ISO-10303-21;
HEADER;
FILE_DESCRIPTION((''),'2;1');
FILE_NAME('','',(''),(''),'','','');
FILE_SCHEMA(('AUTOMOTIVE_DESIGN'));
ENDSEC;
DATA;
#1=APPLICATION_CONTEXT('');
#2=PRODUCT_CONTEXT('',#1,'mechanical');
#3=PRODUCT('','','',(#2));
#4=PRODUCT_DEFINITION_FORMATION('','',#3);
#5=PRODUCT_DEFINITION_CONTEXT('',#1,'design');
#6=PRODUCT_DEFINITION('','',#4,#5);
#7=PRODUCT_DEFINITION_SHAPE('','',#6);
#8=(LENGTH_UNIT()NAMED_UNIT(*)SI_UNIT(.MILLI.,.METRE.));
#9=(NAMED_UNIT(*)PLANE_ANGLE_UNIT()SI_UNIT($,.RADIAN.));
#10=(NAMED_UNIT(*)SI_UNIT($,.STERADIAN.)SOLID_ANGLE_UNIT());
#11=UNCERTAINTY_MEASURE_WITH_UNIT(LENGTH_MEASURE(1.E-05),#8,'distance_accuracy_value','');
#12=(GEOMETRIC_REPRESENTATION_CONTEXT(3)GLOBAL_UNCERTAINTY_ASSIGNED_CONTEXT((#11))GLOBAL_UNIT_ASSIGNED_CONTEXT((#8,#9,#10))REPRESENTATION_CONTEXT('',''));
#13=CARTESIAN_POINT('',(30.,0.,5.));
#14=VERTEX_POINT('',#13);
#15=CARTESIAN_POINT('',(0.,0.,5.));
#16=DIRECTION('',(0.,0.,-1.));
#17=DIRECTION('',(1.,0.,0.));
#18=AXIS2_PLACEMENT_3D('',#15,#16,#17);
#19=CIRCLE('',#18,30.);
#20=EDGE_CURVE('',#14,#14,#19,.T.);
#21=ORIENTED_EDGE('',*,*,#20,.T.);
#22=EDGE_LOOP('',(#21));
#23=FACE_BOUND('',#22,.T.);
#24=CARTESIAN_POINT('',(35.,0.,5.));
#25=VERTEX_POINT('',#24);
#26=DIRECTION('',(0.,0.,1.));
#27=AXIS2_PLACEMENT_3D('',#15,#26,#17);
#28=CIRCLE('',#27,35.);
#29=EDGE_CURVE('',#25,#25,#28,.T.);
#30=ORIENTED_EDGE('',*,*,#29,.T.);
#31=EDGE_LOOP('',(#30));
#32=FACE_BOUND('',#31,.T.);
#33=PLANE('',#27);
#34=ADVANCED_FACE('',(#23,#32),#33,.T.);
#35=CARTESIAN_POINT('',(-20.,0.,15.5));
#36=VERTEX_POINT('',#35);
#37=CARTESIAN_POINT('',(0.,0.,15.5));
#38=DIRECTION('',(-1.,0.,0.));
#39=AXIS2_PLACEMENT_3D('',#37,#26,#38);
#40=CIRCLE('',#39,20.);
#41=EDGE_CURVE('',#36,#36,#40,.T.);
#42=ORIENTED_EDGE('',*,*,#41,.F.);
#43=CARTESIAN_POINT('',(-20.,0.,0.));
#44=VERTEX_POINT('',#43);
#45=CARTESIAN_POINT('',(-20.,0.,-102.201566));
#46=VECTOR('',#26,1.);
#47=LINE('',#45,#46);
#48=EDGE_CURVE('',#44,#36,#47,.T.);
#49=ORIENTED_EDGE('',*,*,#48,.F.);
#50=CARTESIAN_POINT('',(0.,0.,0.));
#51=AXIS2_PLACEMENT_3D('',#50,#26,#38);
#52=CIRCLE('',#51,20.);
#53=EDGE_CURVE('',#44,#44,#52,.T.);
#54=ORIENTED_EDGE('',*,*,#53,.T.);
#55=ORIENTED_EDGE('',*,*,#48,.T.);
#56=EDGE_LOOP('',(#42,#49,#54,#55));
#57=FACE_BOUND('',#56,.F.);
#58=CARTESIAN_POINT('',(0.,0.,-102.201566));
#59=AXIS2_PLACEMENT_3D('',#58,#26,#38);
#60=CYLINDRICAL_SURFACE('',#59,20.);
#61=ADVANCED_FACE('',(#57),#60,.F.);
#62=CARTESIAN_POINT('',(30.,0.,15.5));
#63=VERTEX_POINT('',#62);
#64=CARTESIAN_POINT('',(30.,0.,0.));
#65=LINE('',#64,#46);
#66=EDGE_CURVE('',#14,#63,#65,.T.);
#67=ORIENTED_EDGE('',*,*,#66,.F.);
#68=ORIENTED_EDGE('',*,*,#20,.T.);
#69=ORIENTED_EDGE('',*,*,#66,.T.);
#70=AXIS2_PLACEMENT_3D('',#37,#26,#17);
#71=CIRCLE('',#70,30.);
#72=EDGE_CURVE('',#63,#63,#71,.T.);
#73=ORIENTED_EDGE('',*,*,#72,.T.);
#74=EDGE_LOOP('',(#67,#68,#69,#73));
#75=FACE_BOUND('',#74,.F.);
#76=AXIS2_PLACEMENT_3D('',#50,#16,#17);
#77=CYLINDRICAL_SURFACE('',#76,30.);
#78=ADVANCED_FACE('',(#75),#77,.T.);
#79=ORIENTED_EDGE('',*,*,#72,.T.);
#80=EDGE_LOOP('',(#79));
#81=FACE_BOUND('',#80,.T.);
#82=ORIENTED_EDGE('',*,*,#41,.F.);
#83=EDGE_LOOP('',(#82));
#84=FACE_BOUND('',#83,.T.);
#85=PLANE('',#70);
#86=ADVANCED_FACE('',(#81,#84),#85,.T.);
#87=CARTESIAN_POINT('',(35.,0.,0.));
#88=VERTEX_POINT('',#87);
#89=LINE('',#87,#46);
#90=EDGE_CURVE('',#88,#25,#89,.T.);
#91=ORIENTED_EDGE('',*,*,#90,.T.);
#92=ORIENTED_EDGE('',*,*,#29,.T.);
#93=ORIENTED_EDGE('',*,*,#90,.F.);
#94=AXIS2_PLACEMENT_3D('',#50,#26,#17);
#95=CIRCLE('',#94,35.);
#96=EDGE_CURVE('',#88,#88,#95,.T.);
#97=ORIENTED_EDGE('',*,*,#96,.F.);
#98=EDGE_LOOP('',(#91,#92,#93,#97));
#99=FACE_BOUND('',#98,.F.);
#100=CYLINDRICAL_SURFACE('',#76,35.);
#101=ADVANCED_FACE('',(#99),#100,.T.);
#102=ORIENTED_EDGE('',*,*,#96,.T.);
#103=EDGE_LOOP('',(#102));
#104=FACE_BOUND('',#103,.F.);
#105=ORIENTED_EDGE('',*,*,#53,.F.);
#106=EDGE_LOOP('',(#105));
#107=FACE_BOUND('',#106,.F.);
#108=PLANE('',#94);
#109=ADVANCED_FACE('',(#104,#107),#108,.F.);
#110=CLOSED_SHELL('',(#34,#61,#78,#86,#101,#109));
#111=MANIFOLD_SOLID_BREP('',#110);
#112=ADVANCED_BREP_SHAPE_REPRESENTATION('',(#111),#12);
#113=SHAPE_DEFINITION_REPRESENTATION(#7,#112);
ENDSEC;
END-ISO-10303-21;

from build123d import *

# Parameters (mm, degrees)
F0_R     = 30
F1_DEPTH = 15.5
F2_R     = 35
F4_DEPTH = 5
F3_R     = 20
F5_DEPTH = 25.4
F6_D     = 40


with BuildPart() as f1:
    # F0 (on Top) → F1 (new body)
    with BuildSketch(Plane.XY):
        Circle(F0_R)
    extrude(amount=F1_DEPTH)

    # F2 (on Top) → F4 (join)
    with BuildSketch(Plane.XY):
        Circle(F2_R)
    extrude(amount=F4_DEPTH)

    # F3 (on Top) → F5 (join)
    with BuildSketch(Plane.XY):
        Circle(F3_R)
    extrude(amount=F5_DEPTH)

    # F6 (through all)
    with Locations(Plane(origin=(0, 0, 0), x_dir=(1, 0, 0), z_dir=(0, 0, -1))):
        with Locations((0, 0)):
            Hole(F6_D / 2)


solid = f1.part
